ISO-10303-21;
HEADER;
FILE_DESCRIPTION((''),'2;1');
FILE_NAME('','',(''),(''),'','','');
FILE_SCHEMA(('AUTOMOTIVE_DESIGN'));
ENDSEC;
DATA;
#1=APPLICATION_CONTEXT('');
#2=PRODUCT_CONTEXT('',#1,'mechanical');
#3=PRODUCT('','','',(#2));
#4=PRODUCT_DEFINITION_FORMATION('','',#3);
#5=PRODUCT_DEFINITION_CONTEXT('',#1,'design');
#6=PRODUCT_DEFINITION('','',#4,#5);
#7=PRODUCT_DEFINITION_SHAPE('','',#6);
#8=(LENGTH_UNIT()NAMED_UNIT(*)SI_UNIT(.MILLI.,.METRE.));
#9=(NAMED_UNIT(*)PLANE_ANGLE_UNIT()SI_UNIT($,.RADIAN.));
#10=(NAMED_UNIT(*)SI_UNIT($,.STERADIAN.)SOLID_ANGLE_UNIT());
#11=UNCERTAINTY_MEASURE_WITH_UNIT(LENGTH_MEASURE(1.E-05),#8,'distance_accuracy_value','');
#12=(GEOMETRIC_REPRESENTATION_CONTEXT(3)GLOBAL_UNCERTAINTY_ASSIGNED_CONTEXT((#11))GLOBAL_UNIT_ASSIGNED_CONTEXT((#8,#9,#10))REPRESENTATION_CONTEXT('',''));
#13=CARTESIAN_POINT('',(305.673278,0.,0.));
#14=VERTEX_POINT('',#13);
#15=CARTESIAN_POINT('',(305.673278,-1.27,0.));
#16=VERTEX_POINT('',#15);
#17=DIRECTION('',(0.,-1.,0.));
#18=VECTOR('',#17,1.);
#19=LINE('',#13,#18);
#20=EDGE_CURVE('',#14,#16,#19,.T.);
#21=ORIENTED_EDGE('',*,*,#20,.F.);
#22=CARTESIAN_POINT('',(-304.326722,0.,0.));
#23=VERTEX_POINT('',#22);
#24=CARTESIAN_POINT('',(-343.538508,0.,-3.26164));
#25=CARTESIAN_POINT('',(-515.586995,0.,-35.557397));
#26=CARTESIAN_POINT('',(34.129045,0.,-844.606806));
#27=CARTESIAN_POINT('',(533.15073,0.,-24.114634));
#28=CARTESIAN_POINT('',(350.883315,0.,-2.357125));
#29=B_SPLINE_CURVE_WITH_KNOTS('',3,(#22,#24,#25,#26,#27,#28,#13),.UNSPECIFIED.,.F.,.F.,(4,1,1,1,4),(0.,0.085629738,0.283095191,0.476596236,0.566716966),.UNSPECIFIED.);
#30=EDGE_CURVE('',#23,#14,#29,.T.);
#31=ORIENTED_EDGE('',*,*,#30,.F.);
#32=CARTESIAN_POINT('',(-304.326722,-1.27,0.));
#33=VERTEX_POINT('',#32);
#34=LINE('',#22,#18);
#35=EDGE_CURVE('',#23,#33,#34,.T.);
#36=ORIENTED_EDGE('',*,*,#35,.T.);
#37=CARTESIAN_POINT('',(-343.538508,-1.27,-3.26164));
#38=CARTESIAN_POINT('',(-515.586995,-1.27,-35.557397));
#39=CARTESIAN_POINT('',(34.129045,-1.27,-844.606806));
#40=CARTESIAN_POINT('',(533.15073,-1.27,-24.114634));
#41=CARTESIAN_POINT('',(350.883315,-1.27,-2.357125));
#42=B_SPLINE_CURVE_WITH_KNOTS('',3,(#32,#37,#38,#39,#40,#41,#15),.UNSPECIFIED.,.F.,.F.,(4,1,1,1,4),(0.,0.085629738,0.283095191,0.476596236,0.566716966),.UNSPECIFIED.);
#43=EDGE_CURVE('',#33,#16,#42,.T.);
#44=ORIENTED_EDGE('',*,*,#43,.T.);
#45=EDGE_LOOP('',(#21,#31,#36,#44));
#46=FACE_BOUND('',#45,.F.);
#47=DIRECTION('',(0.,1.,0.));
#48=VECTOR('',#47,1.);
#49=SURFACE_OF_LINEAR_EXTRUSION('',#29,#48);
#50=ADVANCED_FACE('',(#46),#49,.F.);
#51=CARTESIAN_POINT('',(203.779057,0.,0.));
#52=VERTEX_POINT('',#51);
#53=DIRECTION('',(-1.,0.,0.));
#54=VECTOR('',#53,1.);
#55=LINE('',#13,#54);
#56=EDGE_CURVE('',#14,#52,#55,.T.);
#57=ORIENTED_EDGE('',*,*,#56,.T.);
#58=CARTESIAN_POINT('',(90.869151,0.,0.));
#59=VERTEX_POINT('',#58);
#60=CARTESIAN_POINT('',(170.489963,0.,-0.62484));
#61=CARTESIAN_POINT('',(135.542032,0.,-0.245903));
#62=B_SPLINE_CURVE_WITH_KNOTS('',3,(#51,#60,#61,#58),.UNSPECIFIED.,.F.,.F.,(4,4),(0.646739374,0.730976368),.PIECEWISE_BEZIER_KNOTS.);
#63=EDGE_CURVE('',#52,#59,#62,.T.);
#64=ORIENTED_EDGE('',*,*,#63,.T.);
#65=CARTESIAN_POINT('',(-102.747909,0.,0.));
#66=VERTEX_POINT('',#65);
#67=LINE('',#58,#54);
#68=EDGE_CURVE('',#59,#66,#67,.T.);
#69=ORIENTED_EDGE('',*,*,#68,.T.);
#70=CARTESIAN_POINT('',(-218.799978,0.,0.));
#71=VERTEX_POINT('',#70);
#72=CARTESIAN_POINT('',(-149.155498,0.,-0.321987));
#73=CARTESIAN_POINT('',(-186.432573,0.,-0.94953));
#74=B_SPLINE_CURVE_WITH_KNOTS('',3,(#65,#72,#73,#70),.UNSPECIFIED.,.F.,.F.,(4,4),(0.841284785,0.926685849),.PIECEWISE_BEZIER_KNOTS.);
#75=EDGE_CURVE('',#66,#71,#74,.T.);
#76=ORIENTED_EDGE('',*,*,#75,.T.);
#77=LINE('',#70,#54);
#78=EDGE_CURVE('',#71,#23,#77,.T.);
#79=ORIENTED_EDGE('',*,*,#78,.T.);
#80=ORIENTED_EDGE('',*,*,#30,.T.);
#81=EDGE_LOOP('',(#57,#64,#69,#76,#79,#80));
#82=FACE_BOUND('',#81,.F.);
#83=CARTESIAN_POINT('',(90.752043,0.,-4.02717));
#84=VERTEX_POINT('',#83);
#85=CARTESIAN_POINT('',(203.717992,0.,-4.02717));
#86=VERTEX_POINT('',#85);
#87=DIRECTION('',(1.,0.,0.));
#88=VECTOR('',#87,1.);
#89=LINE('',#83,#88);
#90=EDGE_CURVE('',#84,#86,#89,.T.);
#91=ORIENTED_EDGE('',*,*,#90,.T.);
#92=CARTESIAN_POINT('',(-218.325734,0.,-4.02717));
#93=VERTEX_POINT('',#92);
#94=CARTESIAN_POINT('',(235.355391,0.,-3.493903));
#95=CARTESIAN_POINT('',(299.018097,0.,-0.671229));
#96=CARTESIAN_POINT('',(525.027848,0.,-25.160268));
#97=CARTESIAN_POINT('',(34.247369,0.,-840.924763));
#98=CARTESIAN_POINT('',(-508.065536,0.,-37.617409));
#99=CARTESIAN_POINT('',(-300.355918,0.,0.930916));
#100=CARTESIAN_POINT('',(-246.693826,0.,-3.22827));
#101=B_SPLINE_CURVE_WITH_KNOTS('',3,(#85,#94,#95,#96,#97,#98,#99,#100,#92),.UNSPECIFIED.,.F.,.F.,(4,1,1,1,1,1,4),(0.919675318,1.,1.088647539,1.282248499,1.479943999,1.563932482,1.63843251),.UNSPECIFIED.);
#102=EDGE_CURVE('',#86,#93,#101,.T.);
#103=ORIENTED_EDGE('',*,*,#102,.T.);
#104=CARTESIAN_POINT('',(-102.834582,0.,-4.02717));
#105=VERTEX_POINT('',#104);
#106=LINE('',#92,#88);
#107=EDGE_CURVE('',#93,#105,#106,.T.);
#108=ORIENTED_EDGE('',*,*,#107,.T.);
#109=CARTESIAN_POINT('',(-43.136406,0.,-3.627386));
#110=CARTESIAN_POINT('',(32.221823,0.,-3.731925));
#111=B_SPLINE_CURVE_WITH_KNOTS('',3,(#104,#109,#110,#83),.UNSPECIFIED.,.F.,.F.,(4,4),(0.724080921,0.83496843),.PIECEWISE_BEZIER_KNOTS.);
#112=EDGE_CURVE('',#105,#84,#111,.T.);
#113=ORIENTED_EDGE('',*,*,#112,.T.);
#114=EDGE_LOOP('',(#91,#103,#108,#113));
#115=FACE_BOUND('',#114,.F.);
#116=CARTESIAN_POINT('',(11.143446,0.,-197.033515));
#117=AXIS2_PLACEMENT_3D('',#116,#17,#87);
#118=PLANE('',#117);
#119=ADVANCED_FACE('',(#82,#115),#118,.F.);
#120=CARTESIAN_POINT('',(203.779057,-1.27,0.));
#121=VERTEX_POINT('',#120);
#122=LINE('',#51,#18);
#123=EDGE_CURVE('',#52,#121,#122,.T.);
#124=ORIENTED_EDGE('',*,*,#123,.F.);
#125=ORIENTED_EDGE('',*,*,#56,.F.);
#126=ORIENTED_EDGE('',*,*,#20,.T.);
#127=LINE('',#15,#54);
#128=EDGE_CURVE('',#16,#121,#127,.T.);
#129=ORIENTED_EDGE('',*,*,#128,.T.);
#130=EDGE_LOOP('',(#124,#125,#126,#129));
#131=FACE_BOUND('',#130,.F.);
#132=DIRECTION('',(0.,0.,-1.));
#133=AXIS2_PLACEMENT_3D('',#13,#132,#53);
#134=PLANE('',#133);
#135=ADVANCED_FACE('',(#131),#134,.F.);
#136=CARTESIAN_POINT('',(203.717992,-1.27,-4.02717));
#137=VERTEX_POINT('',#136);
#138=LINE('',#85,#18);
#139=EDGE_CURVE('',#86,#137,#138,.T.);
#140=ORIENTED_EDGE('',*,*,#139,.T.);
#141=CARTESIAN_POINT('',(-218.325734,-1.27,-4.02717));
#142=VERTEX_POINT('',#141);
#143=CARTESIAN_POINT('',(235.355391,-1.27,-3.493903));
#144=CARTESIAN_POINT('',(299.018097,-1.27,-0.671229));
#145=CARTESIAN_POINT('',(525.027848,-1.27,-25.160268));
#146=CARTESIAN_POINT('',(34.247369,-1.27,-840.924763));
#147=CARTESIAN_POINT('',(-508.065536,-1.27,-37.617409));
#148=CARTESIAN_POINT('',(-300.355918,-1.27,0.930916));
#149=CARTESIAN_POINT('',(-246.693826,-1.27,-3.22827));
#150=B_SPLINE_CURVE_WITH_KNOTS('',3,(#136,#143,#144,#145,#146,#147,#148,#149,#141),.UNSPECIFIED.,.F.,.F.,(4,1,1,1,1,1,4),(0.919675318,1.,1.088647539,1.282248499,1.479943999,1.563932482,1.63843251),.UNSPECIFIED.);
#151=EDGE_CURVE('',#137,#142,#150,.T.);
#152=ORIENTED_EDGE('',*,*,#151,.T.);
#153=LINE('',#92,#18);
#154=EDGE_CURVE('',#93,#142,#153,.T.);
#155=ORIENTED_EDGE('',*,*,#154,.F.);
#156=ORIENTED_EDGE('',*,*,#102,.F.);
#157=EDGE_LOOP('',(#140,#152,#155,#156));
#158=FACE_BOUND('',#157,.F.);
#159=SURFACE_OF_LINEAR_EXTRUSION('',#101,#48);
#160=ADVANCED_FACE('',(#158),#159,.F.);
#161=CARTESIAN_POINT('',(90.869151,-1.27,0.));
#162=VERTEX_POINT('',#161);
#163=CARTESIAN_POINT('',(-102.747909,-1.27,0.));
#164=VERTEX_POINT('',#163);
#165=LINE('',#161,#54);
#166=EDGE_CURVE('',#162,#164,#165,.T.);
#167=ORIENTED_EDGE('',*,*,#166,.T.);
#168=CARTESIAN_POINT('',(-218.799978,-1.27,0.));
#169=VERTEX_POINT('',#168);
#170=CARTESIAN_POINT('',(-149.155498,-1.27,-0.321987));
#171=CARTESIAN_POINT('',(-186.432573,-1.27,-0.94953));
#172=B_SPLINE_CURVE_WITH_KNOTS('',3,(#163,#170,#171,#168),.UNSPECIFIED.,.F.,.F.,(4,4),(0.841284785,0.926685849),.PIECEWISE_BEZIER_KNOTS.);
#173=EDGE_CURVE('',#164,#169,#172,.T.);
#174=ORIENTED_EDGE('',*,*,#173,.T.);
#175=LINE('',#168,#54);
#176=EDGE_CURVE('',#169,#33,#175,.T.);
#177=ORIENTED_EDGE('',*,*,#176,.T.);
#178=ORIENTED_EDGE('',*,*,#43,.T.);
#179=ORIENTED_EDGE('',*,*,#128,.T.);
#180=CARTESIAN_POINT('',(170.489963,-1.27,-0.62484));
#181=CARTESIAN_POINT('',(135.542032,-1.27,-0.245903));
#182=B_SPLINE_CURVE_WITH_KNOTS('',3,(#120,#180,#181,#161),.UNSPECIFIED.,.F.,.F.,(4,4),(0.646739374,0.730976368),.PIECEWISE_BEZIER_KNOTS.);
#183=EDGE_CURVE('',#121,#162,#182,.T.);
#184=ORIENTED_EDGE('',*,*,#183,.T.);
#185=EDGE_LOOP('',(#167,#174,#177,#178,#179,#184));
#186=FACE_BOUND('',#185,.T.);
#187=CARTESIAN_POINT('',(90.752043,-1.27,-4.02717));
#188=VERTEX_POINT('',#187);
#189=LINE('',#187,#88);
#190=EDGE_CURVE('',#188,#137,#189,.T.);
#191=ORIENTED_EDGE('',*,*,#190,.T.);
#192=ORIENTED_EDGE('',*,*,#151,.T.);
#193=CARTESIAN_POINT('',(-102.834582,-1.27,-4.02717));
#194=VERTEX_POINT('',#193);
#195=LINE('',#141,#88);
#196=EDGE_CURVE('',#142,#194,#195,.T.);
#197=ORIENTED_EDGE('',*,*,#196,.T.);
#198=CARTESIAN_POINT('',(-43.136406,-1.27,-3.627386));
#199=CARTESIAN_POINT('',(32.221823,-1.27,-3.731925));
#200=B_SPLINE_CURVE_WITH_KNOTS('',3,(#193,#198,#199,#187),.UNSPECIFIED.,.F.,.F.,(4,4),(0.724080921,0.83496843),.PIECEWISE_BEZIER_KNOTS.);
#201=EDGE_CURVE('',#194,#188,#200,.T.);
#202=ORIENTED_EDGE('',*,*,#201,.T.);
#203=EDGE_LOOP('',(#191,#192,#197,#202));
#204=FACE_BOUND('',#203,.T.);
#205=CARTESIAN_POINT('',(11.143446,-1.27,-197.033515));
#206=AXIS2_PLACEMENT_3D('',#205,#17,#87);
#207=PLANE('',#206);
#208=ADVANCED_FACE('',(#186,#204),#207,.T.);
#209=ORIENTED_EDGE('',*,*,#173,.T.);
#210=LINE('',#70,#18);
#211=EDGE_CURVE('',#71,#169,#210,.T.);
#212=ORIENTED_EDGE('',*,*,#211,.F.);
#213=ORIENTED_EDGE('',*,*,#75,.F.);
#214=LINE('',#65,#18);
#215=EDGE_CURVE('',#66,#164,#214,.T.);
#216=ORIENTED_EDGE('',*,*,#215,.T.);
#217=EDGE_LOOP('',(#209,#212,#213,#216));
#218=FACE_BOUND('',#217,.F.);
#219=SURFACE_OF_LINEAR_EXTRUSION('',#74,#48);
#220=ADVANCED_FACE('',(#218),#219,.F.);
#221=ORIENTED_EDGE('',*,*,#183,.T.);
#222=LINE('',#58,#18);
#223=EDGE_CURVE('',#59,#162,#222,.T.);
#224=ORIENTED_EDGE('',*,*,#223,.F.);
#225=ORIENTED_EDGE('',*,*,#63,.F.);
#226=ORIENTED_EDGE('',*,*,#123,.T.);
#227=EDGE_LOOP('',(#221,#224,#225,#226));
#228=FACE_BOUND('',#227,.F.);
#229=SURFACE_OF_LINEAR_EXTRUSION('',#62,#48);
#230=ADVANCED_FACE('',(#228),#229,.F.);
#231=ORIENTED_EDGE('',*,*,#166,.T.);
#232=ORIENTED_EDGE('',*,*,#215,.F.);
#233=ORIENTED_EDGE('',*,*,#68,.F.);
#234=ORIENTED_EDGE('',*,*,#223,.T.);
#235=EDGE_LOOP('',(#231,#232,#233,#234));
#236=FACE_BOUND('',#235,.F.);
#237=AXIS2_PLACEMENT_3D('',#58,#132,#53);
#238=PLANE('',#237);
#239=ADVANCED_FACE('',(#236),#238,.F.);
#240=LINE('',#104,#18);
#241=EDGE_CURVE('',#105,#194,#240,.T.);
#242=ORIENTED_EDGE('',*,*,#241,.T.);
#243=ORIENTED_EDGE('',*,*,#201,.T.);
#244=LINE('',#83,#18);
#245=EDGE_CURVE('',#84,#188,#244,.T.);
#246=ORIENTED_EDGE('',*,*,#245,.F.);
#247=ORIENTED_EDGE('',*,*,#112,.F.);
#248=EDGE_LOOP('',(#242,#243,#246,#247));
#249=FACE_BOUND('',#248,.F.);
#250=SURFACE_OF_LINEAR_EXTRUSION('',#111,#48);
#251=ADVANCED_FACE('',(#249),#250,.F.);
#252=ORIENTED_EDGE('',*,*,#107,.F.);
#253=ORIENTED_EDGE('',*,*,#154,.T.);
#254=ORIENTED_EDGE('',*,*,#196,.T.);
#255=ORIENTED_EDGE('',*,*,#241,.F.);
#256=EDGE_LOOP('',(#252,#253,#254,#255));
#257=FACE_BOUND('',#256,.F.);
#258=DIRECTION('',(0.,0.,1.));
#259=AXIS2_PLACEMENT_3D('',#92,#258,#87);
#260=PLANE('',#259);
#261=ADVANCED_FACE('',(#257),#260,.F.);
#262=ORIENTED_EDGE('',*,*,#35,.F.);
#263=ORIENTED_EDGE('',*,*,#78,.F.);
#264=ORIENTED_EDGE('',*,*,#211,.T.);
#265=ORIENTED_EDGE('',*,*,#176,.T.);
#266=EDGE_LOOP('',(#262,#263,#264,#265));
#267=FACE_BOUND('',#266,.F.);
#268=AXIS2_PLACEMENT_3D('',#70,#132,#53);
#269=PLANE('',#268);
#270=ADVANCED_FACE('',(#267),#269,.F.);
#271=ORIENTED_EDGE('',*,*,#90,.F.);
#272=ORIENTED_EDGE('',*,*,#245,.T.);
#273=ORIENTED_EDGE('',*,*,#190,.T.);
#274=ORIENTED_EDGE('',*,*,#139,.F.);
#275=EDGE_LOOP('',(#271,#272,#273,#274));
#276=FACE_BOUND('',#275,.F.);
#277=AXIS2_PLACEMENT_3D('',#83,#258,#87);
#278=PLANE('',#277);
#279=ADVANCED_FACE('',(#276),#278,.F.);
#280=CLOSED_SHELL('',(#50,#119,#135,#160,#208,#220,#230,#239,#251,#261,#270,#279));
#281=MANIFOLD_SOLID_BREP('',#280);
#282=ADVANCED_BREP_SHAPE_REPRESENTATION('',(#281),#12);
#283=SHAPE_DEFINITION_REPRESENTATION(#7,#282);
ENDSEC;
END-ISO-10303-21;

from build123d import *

# Parameters (mm, degrees)
F1_DEPTH = 1.27


with BuildPart() as f1:
    # F0 (on Front) → F1 (new body)
    with BuildSketch(Plane.XZ):
        with BuildLine():
            Line((-218.7999784946, 0), (-304.3267223323, 0))
            add(Edge.make_bspline(
                [(-304.3267223323, 0), (-343.5385081872, -3.2616397014), (-515.5869947017, -35.5573968105), (34.1290452359, -844.6068059024), (533.15072983, -24.1146340135), (350.8833147244, -2.3571249095), (305.6732776677, 0)],
                knots=[0, 0, 0, 0, 0.0856297383, 0.2830951912, 0.4765962365, 0.5667169656, 0.5667169656, 0.5667169656, 0.5667169656], degree=3))
            Line((305.6732776677, 0), (203.7790566683, 0))
            add(Edge.make_bspline(
                [(203.7790566683, 0), (170.4899633381, -0.6248397775), (135.5420322758, -0.2459029667), (90.8691505093, 0)],
                knots=[0.6467393737, 0.6467393737, 0.6467393737, 0.6467393737, 0.7309763682, 0.7309763682, 0.7309763682, 0.7309763682], degree=3))
            Line((90.8691505093, 0), (-102.7479089397, 0))
            add(Edge.make_bspline(
                [(-102.7479089398, 0), (-149.1554975158, -0.321986884), (-186.432573172, -0.9495303824), (-218.7999784946, 0)],
                knots=[0.8412847846, 0.8412847846, 0.8412847846, 0.8412847846, 0.9266858492, 0.9266858492, 0.9266858492, 0.9266858492], degree=3))
        make_face()
        with BuildLine():
            add(Edge.make_bspline(
                [(203.7179917097, -4.0271701291), (235.3553911986, -3.4939029073), (265.6188660665, -2.1520824319), (305.2979707718, -4.0271701291)],
                knots=[0.9196753185, 0.9196753185, 0.9196753185, 0.9196753185, 1, 1, 1, 1], degree=3))
            add(Edge.make_bspline(
                [(305.2979707718, -4.0271701291), (349.0884337143, -6.0965454068), (525.0278479664, -25.1602676928), (34.2473691041, -840.9247629166), (-508.0655364418, -37.6174090565), (-343.8007997976, -7.1319146487), (-305.7079315186, -4.0271701291)],
                knots=[0, 0, 0, 0, 0.0886475392, 0.2822484988, 0.4799439995, 0.5639324825, 0.5639324825, 0.5639324825, 0.5639324825], degree=3))
            add(Edge.make_bspline(
                [(-305.7079315186, -4.0271701291), (-271.9185399413, -1.2731788163), (-246.6938261952, -3.2282695282), (-218.3257341385, -4.0271701291)],
                knots=[0.5639324825, 0.5639324825, 0.5639324825, 0.5639324825, 0.6384325101, 0.6384325101, 0.6384325101, 0.6384325101], degree=3))
            Line((-218.3257341385, -4.0271701291), (-102.8345823288, -4.0271701291))
            add(Edge.make_bspline(
                [(-102.8345823288, -4.0271701291), (-43.1364059278, -3.6273862571), (32.2218230056, -3.7319250198), (90.75204283, -4.0271701291)],
                knots=[0.7240809209, 0.7240809209, 0.7240809209, 0.7240809209, 0.8349684298, 0.8349684298, 0.8349684298, 0.8349684298], degree=3))
            Line((90.75204283, -4.0271701291), (203.7179917097, -4.0271701291))
        make_face(mode=Mode.SUBTRACT)
    extrude(amount=F1_DEPTH)


solid = f1.part
